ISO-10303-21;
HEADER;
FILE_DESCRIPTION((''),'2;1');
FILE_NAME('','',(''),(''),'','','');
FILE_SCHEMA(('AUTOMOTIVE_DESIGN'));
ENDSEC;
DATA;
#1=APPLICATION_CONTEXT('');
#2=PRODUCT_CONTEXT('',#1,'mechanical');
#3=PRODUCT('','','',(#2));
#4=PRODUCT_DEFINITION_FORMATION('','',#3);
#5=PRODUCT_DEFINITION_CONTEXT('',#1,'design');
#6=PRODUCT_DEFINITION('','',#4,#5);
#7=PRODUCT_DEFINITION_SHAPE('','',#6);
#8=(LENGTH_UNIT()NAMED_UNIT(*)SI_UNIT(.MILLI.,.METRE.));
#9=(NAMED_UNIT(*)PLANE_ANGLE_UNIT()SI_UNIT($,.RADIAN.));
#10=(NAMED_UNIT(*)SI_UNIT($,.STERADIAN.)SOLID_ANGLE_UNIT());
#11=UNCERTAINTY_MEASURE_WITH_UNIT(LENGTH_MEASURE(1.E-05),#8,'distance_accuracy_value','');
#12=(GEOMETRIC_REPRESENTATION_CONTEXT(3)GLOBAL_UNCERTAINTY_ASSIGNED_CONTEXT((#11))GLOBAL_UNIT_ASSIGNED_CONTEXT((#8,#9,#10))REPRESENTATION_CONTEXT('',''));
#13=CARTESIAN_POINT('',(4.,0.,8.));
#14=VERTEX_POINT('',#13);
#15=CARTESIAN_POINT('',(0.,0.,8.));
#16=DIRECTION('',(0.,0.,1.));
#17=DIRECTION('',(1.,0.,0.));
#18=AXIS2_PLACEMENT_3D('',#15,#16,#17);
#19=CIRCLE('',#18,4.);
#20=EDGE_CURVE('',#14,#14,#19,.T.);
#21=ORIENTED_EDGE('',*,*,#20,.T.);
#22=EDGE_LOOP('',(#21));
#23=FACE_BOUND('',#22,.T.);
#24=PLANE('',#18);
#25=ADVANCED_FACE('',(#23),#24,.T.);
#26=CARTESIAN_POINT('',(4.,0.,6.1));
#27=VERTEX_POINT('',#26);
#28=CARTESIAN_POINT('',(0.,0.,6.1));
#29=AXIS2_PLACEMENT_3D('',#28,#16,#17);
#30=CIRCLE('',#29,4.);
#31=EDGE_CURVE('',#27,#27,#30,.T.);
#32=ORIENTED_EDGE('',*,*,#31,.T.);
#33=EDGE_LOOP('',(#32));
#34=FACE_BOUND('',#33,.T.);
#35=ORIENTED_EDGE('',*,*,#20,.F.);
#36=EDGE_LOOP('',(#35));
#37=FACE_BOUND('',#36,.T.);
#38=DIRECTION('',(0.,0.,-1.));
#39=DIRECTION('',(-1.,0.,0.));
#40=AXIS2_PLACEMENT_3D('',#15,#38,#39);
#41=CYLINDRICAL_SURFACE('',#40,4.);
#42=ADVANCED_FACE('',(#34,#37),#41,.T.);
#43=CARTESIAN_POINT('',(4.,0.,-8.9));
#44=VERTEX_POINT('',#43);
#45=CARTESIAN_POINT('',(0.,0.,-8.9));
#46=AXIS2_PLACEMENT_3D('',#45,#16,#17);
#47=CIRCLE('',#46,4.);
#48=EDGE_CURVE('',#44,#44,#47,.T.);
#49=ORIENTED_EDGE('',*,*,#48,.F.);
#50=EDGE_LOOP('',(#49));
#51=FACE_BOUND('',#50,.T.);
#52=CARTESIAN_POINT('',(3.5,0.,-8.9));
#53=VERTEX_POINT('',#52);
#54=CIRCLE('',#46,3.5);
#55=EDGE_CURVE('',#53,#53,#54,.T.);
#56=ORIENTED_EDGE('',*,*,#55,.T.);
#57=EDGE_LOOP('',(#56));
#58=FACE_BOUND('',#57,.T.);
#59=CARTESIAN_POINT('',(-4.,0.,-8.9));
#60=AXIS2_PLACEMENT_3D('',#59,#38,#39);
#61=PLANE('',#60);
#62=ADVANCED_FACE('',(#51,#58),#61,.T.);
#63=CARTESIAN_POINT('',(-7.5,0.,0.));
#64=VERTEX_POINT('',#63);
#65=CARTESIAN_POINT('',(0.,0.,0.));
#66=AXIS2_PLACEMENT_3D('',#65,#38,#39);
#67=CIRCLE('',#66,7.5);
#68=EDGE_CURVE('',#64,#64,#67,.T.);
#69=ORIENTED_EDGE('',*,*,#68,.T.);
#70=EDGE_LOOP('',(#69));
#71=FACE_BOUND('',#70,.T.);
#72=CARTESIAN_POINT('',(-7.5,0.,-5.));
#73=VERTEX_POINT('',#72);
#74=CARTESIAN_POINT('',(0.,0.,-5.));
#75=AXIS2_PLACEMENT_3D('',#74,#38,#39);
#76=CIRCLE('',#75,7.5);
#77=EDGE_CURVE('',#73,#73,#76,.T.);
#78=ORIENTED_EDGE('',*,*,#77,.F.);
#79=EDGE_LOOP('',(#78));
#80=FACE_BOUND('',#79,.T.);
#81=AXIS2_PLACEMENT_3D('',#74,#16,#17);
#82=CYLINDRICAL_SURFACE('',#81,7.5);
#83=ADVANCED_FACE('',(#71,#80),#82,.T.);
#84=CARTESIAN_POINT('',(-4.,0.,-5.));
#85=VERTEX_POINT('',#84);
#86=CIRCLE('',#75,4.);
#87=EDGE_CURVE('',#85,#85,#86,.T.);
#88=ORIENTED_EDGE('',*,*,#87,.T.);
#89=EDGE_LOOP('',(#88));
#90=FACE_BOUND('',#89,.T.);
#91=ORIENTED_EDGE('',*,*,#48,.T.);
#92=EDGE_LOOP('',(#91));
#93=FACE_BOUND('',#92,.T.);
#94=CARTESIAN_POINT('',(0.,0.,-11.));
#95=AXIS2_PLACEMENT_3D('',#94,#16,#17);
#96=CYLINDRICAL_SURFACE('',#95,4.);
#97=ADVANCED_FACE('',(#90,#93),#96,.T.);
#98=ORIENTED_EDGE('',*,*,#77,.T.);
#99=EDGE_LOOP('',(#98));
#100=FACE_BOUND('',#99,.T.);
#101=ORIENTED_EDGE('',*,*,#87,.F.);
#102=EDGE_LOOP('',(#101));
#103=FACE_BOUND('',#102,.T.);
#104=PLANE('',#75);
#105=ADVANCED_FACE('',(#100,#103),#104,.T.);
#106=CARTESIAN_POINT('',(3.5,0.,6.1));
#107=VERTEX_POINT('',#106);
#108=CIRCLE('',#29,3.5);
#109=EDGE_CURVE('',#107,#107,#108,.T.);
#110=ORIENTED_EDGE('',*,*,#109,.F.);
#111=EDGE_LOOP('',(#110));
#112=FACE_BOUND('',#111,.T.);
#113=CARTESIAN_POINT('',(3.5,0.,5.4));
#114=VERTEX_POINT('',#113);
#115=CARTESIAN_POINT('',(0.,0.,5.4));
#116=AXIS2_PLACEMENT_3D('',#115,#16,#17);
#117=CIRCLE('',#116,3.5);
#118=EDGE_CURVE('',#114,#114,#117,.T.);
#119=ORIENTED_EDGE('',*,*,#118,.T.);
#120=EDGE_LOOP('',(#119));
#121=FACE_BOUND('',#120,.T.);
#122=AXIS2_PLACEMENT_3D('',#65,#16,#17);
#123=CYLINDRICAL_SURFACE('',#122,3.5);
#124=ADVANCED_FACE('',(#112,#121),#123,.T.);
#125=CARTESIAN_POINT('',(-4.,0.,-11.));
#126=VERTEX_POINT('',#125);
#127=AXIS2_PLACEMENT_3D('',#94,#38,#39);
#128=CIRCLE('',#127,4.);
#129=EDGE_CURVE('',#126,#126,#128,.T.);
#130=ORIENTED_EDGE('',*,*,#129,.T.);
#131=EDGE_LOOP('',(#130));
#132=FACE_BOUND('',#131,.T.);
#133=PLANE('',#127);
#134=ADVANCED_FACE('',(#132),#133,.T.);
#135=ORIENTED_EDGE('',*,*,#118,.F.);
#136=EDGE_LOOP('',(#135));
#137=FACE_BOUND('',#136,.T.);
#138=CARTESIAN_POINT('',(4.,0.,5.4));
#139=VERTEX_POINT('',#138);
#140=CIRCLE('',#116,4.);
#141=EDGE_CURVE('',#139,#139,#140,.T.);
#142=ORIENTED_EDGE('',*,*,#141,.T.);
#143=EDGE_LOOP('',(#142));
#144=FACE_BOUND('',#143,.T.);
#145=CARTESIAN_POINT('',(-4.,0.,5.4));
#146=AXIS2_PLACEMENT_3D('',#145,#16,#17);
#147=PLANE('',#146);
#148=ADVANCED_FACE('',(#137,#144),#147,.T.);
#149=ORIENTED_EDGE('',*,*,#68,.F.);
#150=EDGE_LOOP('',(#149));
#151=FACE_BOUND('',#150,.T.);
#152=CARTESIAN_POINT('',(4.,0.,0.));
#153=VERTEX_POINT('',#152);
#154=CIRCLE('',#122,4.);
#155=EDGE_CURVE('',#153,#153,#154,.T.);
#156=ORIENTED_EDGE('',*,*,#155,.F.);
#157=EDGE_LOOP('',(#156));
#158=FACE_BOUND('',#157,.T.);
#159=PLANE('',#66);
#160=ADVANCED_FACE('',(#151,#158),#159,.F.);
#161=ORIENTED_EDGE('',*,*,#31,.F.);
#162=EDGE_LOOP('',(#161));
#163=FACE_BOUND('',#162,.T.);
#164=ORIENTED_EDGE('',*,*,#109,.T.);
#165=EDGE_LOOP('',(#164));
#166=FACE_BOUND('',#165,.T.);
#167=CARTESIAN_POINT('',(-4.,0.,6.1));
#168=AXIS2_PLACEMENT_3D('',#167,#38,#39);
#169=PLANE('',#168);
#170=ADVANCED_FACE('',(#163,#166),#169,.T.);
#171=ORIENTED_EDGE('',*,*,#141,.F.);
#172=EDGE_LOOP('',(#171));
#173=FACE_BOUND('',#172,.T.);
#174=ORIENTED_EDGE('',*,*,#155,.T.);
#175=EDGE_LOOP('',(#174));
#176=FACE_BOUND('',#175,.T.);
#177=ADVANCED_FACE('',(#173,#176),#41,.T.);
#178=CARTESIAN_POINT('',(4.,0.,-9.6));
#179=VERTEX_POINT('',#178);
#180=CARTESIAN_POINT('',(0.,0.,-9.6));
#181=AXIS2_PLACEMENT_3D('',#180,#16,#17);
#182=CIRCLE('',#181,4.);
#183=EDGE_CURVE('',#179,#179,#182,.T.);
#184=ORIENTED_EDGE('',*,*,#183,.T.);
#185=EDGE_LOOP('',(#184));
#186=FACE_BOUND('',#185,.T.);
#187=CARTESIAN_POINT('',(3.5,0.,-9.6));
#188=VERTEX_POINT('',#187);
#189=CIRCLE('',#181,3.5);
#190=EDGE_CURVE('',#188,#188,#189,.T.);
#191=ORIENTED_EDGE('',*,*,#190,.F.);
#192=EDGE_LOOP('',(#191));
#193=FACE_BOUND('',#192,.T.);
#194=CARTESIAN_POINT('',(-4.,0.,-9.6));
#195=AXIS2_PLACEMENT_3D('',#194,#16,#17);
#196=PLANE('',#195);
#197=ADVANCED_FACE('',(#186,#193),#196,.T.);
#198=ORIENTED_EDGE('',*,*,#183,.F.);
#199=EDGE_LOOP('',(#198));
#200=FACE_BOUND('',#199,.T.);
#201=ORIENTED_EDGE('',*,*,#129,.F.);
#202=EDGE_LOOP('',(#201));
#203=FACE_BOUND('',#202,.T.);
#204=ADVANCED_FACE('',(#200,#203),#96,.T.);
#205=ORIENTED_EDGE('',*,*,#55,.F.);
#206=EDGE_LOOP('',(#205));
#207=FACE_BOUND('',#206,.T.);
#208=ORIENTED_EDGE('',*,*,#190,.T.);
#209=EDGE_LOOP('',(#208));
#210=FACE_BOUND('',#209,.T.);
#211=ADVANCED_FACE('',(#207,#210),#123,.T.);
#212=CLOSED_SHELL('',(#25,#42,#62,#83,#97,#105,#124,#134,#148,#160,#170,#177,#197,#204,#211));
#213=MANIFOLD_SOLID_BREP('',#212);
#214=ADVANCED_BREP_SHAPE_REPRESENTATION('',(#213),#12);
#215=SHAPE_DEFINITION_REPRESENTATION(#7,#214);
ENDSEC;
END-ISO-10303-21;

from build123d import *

# Parameters (mm, degrees)
SKETCH1_R           = 4
BOSS_EXTRUDE1_DEPTH = 8
SKETCH2_R           = 7.5
BOSS_EXTRUDE2_DEPTH = 5
BOSS_EXTRUDE3_START = 6
SKETCH3_R           = 4
BOSS_EXTRUDE3_DEPTH = 6
SKETCH4_W           = 0.5
SKETCH4_H           = 0.7


with BuildPart() as part:
    # Sketch1 → Boss-Extrude1 (new body)
    with BuildSketch(Plane.XY):
        Circle(SKETCH1_R)
    extrude(amount=BOSS_EXTRUDE1_DEPTH)

    # Sketch2 → Boss-Extrude2 (add)
    with BuildSketch(Plane(origin=(0, 0, 0), x_dir=(-1, 0, 0), z_dir=(0, 0, -1))):
        Circle(SKETCH2_R)
    extrude(amount=BOSS_EXTRUDE2_DEPTH)

    # Sketch3 → Boss-Extrude3 (add)
    with BuildSketch(Plane(origin=(0, 0, -5), x_dir=(-1, 0, 0), z_dir=(0, 0, -1)).offset(BOSS_EXTRUDE3_START)):
        with Locations(Location((0, 0, 0), (0, 0, 180))):
            Circle(SKETCH3_R)
    extrude(amount=-BOSS_EXTRUDE3_DEPTH)

    # Sketch4 → Cut-Revolve1 (revolve, cut)
    with BuildSketch(Plane(origin=(0, 0, 0), x_dir=(1, 0, 0), z_dir=(0, 1, 0)), mode=Mode.PRIVATE) as cut_revolve1_sk:
        with Locations((-3.75, -5.75)):
            Rectangle(SKETCH4_W, SKETCH4_H)
        with Locations((-3.75, 9.25)):
            Rectangle(SKETCH4_W, SKETCH4_H)
    revolve(cut_revolve1_sk.sketch.rotate(Axis((0, 0, 0), (0, 0, -1)), 180), axis=Axis((0, 0, 0), (0, 0, -1)), mode=Mode.SUBTRACT)


solid = part.part
